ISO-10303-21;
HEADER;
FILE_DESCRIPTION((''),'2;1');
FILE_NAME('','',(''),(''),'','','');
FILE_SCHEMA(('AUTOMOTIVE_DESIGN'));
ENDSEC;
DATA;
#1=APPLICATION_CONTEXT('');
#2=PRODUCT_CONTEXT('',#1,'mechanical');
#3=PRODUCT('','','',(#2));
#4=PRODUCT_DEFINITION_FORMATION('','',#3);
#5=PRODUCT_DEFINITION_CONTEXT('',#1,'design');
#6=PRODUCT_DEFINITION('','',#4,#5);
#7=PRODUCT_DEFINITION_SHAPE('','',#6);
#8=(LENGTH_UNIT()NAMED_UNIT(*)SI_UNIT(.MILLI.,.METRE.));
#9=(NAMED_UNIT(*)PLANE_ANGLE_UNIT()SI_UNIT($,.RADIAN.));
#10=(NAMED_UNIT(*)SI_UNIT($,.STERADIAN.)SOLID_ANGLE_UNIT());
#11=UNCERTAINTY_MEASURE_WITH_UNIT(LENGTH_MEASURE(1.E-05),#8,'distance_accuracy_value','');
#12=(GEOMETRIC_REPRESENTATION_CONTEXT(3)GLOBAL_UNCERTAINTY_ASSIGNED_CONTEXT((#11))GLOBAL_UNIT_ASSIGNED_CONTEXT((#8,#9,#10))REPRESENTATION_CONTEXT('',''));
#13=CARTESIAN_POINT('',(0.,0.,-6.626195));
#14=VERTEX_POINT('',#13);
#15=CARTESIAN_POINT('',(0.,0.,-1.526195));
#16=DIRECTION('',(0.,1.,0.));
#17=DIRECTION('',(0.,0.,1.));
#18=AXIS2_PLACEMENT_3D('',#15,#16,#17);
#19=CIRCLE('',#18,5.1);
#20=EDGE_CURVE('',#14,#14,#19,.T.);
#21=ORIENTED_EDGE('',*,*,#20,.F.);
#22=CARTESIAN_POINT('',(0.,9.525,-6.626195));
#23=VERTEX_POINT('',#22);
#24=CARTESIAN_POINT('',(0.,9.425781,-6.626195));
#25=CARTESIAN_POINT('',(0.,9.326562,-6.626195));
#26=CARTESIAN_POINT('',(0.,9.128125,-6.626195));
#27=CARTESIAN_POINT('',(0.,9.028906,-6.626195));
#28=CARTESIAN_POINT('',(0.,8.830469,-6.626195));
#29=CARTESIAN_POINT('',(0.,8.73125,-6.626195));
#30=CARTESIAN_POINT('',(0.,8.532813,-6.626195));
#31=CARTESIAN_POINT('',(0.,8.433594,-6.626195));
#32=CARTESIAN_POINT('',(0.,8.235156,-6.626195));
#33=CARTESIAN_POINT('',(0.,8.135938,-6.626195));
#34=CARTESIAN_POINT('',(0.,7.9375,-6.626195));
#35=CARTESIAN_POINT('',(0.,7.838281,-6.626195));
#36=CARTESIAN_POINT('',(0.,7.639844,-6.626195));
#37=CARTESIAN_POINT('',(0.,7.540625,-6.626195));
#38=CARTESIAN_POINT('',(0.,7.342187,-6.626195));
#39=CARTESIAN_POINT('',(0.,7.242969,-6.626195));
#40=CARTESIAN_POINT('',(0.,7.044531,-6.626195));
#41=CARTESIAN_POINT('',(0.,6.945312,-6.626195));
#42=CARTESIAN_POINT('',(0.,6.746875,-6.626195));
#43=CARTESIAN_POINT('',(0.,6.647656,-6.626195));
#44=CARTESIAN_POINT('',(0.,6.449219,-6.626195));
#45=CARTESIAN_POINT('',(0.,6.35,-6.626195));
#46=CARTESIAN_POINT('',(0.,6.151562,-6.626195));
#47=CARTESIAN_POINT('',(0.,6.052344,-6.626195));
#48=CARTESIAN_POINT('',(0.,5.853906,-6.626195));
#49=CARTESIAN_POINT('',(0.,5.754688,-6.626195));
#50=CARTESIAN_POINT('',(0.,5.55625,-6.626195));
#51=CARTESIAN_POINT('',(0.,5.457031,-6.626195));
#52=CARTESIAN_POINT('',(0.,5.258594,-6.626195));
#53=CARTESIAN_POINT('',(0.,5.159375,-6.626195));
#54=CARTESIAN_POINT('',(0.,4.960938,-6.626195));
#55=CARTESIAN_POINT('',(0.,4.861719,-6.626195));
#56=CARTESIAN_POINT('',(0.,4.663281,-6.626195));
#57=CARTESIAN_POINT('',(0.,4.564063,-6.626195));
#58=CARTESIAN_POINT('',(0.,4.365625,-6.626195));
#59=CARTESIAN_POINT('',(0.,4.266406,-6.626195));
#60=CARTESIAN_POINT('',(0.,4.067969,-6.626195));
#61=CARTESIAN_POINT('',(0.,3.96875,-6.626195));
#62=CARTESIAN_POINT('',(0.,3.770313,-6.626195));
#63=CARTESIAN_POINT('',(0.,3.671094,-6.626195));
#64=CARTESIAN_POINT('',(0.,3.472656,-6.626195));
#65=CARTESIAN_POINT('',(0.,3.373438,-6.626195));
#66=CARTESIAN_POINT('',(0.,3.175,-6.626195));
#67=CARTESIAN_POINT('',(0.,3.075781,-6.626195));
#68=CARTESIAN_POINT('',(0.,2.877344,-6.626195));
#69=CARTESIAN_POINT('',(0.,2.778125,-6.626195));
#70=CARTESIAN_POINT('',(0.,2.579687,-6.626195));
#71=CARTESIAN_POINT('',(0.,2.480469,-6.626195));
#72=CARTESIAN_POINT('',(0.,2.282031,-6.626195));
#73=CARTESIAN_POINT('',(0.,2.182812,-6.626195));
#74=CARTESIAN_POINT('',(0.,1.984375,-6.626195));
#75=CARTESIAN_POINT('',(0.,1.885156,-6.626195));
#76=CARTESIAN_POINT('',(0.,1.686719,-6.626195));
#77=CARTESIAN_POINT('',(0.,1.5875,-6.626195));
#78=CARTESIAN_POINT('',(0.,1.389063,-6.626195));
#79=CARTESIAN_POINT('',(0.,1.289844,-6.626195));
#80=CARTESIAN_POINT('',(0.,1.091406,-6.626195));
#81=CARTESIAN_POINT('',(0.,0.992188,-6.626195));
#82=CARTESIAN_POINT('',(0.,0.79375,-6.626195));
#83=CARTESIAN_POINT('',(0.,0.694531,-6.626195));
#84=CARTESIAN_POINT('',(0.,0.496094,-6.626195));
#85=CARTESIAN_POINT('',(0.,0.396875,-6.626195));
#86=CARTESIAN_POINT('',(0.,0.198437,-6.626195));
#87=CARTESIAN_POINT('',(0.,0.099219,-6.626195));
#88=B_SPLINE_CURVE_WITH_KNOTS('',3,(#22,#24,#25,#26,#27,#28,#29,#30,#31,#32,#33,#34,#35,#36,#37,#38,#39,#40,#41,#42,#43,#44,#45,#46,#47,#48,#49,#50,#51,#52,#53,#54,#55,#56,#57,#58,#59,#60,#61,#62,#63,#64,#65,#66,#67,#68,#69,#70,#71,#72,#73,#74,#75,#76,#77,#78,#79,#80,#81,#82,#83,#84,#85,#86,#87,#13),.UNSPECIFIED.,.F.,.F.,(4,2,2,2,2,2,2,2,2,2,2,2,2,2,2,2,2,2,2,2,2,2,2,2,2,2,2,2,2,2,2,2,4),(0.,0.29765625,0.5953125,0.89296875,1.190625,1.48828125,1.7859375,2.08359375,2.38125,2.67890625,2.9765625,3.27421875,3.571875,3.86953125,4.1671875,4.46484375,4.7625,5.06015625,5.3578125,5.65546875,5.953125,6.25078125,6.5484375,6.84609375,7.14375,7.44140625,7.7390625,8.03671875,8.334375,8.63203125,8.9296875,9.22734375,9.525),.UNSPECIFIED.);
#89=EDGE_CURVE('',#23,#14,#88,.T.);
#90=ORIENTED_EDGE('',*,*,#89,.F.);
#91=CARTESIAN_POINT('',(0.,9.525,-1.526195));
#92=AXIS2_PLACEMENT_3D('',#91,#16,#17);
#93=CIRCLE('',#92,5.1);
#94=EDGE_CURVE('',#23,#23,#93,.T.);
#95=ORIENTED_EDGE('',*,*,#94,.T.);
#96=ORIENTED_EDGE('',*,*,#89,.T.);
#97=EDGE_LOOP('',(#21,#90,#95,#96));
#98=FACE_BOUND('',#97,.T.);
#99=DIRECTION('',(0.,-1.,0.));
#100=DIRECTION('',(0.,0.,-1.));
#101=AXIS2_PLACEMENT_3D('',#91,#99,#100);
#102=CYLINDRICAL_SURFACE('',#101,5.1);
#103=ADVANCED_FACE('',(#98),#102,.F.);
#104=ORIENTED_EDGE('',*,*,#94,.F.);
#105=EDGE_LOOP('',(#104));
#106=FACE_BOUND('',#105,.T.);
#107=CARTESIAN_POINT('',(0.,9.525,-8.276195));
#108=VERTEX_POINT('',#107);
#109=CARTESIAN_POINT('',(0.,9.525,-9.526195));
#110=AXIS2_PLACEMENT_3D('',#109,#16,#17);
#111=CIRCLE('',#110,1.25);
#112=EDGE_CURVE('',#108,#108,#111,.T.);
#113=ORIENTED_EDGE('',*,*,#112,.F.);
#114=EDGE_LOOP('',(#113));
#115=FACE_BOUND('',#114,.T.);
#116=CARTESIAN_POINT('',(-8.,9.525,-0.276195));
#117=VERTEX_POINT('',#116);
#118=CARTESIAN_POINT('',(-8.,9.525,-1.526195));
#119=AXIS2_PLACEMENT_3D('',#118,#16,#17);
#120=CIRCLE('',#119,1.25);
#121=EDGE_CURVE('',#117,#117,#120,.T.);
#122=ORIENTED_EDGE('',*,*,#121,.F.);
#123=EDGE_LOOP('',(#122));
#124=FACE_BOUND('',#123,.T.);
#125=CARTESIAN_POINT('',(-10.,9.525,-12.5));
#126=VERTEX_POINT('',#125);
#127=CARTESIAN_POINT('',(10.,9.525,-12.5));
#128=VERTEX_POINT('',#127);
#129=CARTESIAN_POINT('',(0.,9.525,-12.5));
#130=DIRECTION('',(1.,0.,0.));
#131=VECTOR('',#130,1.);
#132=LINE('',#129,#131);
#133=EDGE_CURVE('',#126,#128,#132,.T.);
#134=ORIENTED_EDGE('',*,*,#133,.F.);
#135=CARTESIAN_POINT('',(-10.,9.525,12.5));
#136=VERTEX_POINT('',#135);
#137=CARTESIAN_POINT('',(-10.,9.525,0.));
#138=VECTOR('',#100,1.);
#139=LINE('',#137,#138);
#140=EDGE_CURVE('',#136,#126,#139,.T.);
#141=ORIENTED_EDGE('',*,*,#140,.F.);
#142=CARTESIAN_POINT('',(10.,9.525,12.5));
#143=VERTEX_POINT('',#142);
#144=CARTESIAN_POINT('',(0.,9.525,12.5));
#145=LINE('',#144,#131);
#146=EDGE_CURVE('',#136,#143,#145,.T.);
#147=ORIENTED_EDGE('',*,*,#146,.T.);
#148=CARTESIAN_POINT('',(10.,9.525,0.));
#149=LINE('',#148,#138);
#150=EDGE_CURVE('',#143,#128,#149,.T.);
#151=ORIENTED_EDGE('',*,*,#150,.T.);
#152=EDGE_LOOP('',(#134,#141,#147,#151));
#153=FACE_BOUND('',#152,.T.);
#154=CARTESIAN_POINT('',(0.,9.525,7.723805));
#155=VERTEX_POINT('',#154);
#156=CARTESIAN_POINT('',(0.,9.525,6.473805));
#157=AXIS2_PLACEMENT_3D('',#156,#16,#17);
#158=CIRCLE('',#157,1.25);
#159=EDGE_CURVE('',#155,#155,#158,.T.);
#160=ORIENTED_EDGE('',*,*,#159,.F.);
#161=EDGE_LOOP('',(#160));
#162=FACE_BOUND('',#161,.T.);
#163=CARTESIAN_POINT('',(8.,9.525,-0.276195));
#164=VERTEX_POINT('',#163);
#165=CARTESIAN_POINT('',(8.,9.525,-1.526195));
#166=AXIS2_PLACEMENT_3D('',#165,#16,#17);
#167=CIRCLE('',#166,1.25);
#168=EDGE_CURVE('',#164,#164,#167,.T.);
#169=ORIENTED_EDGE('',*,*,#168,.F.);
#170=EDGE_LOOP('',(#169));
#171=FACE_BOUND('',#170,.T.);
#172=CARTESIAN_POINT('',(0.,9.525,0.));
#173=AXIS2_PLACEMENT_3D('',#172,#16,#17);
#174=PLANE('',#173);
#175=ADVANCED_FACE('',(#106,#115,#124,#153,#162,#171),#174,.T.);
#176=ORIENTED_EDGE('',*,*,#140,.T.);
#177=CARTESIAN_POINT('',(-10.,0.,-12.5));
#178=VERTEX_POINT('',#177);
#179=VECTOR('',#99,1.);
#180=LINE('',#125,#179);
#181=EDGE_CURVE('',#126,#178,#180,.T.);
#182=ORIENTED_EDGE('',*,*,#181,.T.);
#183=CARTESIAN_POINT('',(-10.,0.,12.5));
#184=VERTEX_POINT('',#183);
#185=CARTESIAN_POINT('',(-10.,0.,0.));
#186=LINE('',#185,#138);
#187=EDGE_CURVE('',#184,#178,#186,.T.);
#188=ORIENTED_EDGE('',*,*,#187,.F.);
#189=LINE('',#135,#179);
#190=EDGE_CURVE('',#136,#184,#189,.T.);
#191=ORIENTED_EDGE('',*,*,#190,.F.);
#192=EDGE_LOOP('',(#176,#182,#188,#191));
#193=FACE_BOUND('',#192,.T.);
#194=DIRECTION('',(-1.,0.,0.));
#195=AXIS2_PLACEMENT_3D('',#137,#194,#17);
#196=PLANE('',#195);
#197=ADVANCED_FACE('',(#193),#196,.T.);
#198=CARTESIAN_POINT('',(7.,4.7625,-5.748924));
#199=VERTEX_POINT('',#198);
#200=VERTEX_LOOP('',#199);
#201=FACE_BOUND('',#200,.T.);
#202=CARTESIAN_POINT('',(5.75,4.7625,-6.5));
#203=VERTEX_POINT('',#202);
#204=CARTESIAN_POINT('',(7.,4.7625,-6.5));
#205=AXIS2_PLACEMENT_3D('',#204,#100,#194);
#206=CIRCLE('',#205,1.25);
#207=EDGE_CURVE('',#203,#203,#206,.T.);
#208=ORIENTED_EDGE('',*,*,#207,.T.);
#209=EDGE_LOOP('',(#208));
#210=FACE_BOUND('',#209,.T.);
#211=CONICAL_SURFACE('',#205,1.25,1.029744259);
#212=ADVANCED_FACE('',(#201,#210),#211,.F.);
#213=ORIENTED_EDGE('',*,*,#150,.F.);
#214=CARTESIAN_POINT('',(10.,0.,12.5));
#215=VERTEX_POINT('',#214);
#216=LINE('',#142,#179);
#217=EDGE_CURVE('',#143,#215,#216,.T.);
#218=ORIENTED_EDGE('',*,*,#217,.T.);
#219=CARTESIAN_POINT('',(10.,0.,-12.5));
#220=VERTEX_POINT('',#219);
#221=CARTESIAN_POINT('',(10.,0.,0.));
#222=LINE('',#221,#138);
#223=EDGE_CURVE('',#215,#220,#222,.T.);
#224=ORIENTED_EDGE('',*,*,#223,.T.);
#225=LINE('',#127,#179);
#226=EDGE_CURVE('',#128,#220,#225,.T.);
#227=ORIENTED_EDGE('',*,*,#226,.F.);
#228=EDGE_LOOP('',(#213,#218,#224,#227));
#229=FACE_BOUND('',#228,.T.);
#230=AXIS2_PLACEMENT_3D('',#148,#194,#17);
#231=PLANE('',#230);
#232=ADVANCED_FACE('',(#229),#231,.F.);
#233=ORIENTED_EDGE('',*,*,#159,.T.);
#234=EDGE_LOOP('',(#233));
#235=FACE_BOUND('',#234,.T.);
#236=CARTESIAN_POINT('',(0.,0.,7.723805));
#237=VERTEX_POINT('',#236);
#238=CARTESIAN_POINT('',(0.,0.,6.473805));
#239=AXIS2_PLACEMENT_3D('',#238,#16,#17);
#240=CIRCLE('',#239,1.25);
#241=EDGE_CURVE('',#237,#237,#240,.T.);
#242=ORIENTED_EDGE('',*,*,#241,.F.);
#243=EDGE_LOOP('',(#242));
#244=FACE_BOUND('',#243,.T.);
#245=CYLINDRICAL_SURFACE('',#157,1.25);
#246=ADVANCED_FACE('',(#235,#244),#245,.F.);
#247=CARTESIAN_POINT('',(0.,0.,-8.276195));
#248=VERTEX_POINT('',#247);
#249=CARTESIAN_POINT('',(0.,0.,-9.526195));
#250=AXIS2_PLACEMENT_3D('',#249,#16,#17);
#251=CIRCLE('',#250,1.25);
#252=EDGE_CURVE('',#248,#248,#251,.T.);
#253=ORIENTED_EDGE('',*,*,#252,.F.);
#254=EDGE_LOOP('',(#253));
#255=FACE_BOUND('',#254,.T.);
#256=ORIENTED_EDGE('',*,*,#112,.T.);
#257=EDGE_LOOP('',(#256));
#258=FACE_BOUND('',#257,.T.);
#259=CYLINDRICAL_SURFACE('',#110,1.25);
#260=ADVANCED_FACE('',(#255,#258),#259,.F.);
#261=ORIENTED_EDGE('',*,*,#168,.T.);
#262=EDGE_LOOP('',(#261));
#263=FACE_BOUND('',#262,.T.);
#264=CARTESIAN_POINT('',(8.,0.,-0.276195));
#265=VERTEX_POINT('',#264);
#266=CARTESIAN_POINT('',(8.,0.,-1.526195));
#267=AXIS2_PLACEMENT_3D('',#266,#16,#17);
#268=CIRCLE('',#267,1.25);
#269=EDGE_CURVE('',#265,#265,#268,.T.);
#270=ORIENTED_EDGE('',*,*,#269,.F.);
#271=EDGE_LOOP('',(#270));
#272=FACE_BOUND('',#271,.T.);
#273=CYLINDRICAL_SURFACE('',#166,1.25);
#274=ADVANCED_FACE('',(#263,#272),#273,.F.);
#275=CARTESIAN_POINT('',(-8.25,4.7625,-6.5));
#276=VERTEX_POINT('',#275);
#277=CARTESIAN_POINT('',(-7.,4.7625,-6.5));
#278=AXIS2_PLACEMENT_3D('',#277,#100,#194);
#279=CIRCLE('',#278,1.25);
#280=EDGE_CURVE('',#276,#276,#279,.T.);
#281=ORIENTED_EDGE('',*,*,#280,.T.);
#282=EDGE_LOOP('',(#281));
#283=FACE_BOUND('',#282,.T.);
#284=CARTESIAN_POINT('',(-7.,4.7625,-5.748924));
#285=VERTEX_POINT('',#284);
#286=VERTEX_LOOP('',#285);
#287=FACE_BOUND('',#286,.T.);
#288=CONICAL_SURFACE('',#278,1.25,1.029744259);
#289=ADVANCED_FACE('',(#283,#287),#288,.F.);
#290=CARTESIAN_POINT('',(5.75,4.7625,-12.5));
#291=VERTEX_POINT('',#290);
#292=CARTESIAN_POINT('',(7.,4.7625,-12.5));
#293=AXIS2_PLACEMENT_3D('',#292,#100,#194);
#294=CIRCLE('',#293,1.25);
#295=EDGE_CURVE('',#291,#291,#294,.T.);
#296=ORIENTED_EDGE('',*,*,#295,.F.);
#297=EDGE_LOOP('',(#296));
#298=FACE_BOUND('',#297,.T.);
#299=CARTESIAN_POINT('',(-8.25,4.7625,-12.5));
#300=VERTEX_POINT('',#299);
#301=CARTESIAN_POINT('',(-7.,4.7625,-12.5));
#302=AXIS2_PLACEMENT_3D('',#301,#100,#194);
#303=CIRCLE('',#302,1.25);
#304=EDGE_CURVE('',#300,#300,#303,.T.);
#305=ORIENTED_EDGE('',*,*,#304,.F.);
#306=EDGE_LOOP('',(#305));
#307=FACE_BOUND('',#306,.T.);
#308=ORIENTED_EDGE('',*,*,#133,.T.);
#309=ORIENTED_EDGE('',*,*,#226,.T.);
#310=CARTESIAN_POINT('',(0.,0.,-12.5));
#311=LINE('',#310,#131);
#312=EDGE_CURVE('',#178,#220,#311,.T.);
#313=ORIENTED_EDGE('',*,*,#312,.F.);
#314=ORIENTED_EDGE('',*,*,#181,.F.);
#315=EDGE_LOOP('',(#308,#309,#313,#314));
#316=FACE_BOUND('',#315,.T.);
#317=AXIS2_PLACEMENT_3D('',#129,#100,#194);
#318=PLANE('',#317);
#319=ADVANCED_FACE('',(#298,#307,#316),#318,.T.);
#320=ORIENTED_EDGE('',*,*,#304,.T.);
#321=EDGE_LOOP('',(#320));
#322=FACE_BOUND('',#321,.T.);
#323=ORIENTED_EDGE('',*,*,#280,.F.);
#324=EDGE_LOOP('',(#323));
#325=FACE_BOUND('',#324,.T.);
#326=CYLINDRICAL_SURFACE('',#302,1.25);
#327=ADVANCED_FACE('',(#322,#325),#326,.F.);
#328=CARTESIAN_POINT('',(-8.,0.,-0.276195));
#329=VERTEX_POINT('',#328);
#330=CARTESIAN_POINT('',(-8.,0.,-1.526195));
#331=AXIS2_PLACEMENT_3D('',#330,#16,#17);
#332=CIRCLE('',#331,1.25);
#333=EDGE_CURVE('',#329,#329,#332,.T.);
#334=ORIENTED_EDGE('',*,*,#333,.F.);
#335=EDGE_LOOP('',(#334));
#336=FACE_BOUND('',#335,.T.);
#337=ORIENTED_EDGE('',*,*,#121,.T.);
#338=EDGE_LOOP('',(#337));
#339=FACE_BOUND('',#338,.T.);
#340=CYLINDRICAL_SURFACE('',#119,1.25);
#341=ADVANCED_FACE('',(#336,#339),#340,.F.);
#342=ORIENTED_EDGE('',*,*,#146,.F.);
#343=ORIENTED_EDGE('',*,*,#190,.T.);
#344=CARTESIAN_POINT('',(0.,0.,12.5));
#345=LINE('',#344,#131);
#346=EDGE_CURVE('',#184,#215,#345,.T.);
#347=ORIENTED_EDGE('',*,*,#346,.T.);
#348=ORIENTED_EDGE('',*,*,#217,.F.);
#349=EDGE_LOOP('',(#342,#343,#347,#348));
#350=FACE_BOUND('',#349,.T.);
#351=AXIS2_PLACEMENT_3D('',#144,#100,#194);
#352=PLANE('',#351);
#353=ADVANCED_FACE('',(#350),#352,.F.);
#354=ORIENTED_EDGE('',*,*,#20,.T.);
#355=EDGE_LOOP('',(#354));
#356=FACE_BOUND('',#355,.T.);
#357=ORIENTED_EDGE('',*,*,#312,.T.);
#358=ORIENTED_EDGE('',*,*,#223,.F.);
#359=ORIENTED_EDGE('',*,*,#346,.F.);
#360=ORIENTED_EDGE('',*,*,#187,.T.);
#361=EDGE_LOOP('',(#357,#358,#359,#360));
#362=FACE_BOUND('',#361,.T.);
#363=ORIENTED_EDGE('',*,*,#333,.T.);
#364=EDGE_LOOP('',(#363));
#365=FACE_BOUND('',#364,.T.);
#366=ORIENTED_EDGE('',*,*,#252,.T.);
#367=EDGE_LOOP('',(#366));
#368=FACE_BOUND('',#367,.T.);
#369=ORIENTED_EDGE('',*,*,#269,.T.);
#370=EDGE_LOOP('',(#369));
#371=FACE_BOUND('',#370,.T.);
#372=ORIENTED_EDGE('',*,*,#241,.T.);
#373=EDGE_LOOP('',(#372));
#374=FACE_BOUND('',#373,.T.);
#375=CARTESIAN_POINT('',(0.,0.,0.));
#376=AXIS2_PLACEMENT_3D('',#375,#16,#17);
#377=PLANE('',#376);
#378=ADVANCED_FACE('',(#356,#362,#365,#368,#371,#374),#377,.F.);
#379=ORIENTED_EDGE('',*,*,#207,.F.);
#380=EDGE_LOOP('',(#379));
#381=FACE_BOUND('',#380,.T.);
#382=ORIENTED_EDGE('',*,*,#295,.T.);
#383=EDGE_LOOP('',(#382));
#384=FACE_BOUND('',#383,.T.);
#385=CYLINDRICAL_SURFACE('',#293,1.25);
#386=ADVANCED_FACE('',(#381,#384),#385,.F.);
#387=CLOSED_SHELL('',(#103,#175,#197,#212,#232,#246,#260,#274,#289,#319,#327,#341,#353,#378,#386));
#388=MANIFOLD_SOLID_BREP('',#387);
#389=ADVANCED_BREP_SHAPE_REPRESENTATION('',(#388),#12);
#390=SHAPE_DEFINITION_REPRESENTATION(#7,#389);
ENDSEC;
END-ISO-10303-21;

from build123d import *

# Parameters (mm, degrees)
SKETCH1_W                       = 20
SKETCH1_H                       = 25
SKETCH1_R                       = 5.1
BOSS_EXTRUDE1_DEPTH             = 9.525
TAP_DRILL_FOR_M3X0_5_TAP1_D     = 2.5
TAP_DRILL_FOR_M3X0_5_TAP3_D     = 2.5
TAP_DRILL_FOR_M3X0_5_TAP3_DEPTH = 6
TAP_DRILL_FOR_M3X0_5_TAP3_TIP   = 0.751075774


with BuildPart() as part:
    # Sketch1 → Boss-Extrude1 (new body)
    with BuildSketch(Plane(origin=(0, 0, 0), x_dir=(1, 0, 0), z_dir=(0, 1, 0))):
        Rectangle(SKETCH1_W, SKETCH1_H)
        with Locations(Location((0, 1.5261946, 0), (0, 0, 90))):
            Circle(SKETCH1_R, mode=Mode.SUBTRACT)
    extrude(amount=BOSS_EXTRUDE1_DEPTH)

    # Tap Drill for M3x0.5 Tap1 (through all)
    with Locations(Plane(origin=(0, 9.525, 0), x_dir=(1, 0, 0), z_dir=(0, 1, 0))):
        with Locations((-8, 1.5261946), (0, 9.5261946), (8, 1.5261946), (0, -6.4738054)):
            Hole(TAP_DRILL_FOR_M3X0_5_TAP1_D / 2)

    # Tap Drill for M3x0.5 Tap3
    with Locations(Plane(origin=(0, 0, -12.5), x_dir=(-1, 0, 0), z_dir=(0, 0, -1))):
        with Locations((-7, 4.7625), (7, 4.7625)):
            Hole(TAP_DRILL_FOR_M3X0_5_TAP3_D / 2, depth=TAP_DRILL_FOR_M3X0_5_TAP3_DEPTH)
            with Locations((0, 0, -(TAP_DRILL_FOR_M3X0_5_TAP3_DEPTH + TAP_DRILL_FOR_M3X0_5_TAP3_TIP / 2))):  # 118° drill point
                Cone(0, TAP_DRILL_FOR_M3X0_5_TAP3_D / 2, TAP_DRILL_FOR_M3X0_5_TAP3_TIP, mode=Mode.SUBTRACT)


solid = part.part
